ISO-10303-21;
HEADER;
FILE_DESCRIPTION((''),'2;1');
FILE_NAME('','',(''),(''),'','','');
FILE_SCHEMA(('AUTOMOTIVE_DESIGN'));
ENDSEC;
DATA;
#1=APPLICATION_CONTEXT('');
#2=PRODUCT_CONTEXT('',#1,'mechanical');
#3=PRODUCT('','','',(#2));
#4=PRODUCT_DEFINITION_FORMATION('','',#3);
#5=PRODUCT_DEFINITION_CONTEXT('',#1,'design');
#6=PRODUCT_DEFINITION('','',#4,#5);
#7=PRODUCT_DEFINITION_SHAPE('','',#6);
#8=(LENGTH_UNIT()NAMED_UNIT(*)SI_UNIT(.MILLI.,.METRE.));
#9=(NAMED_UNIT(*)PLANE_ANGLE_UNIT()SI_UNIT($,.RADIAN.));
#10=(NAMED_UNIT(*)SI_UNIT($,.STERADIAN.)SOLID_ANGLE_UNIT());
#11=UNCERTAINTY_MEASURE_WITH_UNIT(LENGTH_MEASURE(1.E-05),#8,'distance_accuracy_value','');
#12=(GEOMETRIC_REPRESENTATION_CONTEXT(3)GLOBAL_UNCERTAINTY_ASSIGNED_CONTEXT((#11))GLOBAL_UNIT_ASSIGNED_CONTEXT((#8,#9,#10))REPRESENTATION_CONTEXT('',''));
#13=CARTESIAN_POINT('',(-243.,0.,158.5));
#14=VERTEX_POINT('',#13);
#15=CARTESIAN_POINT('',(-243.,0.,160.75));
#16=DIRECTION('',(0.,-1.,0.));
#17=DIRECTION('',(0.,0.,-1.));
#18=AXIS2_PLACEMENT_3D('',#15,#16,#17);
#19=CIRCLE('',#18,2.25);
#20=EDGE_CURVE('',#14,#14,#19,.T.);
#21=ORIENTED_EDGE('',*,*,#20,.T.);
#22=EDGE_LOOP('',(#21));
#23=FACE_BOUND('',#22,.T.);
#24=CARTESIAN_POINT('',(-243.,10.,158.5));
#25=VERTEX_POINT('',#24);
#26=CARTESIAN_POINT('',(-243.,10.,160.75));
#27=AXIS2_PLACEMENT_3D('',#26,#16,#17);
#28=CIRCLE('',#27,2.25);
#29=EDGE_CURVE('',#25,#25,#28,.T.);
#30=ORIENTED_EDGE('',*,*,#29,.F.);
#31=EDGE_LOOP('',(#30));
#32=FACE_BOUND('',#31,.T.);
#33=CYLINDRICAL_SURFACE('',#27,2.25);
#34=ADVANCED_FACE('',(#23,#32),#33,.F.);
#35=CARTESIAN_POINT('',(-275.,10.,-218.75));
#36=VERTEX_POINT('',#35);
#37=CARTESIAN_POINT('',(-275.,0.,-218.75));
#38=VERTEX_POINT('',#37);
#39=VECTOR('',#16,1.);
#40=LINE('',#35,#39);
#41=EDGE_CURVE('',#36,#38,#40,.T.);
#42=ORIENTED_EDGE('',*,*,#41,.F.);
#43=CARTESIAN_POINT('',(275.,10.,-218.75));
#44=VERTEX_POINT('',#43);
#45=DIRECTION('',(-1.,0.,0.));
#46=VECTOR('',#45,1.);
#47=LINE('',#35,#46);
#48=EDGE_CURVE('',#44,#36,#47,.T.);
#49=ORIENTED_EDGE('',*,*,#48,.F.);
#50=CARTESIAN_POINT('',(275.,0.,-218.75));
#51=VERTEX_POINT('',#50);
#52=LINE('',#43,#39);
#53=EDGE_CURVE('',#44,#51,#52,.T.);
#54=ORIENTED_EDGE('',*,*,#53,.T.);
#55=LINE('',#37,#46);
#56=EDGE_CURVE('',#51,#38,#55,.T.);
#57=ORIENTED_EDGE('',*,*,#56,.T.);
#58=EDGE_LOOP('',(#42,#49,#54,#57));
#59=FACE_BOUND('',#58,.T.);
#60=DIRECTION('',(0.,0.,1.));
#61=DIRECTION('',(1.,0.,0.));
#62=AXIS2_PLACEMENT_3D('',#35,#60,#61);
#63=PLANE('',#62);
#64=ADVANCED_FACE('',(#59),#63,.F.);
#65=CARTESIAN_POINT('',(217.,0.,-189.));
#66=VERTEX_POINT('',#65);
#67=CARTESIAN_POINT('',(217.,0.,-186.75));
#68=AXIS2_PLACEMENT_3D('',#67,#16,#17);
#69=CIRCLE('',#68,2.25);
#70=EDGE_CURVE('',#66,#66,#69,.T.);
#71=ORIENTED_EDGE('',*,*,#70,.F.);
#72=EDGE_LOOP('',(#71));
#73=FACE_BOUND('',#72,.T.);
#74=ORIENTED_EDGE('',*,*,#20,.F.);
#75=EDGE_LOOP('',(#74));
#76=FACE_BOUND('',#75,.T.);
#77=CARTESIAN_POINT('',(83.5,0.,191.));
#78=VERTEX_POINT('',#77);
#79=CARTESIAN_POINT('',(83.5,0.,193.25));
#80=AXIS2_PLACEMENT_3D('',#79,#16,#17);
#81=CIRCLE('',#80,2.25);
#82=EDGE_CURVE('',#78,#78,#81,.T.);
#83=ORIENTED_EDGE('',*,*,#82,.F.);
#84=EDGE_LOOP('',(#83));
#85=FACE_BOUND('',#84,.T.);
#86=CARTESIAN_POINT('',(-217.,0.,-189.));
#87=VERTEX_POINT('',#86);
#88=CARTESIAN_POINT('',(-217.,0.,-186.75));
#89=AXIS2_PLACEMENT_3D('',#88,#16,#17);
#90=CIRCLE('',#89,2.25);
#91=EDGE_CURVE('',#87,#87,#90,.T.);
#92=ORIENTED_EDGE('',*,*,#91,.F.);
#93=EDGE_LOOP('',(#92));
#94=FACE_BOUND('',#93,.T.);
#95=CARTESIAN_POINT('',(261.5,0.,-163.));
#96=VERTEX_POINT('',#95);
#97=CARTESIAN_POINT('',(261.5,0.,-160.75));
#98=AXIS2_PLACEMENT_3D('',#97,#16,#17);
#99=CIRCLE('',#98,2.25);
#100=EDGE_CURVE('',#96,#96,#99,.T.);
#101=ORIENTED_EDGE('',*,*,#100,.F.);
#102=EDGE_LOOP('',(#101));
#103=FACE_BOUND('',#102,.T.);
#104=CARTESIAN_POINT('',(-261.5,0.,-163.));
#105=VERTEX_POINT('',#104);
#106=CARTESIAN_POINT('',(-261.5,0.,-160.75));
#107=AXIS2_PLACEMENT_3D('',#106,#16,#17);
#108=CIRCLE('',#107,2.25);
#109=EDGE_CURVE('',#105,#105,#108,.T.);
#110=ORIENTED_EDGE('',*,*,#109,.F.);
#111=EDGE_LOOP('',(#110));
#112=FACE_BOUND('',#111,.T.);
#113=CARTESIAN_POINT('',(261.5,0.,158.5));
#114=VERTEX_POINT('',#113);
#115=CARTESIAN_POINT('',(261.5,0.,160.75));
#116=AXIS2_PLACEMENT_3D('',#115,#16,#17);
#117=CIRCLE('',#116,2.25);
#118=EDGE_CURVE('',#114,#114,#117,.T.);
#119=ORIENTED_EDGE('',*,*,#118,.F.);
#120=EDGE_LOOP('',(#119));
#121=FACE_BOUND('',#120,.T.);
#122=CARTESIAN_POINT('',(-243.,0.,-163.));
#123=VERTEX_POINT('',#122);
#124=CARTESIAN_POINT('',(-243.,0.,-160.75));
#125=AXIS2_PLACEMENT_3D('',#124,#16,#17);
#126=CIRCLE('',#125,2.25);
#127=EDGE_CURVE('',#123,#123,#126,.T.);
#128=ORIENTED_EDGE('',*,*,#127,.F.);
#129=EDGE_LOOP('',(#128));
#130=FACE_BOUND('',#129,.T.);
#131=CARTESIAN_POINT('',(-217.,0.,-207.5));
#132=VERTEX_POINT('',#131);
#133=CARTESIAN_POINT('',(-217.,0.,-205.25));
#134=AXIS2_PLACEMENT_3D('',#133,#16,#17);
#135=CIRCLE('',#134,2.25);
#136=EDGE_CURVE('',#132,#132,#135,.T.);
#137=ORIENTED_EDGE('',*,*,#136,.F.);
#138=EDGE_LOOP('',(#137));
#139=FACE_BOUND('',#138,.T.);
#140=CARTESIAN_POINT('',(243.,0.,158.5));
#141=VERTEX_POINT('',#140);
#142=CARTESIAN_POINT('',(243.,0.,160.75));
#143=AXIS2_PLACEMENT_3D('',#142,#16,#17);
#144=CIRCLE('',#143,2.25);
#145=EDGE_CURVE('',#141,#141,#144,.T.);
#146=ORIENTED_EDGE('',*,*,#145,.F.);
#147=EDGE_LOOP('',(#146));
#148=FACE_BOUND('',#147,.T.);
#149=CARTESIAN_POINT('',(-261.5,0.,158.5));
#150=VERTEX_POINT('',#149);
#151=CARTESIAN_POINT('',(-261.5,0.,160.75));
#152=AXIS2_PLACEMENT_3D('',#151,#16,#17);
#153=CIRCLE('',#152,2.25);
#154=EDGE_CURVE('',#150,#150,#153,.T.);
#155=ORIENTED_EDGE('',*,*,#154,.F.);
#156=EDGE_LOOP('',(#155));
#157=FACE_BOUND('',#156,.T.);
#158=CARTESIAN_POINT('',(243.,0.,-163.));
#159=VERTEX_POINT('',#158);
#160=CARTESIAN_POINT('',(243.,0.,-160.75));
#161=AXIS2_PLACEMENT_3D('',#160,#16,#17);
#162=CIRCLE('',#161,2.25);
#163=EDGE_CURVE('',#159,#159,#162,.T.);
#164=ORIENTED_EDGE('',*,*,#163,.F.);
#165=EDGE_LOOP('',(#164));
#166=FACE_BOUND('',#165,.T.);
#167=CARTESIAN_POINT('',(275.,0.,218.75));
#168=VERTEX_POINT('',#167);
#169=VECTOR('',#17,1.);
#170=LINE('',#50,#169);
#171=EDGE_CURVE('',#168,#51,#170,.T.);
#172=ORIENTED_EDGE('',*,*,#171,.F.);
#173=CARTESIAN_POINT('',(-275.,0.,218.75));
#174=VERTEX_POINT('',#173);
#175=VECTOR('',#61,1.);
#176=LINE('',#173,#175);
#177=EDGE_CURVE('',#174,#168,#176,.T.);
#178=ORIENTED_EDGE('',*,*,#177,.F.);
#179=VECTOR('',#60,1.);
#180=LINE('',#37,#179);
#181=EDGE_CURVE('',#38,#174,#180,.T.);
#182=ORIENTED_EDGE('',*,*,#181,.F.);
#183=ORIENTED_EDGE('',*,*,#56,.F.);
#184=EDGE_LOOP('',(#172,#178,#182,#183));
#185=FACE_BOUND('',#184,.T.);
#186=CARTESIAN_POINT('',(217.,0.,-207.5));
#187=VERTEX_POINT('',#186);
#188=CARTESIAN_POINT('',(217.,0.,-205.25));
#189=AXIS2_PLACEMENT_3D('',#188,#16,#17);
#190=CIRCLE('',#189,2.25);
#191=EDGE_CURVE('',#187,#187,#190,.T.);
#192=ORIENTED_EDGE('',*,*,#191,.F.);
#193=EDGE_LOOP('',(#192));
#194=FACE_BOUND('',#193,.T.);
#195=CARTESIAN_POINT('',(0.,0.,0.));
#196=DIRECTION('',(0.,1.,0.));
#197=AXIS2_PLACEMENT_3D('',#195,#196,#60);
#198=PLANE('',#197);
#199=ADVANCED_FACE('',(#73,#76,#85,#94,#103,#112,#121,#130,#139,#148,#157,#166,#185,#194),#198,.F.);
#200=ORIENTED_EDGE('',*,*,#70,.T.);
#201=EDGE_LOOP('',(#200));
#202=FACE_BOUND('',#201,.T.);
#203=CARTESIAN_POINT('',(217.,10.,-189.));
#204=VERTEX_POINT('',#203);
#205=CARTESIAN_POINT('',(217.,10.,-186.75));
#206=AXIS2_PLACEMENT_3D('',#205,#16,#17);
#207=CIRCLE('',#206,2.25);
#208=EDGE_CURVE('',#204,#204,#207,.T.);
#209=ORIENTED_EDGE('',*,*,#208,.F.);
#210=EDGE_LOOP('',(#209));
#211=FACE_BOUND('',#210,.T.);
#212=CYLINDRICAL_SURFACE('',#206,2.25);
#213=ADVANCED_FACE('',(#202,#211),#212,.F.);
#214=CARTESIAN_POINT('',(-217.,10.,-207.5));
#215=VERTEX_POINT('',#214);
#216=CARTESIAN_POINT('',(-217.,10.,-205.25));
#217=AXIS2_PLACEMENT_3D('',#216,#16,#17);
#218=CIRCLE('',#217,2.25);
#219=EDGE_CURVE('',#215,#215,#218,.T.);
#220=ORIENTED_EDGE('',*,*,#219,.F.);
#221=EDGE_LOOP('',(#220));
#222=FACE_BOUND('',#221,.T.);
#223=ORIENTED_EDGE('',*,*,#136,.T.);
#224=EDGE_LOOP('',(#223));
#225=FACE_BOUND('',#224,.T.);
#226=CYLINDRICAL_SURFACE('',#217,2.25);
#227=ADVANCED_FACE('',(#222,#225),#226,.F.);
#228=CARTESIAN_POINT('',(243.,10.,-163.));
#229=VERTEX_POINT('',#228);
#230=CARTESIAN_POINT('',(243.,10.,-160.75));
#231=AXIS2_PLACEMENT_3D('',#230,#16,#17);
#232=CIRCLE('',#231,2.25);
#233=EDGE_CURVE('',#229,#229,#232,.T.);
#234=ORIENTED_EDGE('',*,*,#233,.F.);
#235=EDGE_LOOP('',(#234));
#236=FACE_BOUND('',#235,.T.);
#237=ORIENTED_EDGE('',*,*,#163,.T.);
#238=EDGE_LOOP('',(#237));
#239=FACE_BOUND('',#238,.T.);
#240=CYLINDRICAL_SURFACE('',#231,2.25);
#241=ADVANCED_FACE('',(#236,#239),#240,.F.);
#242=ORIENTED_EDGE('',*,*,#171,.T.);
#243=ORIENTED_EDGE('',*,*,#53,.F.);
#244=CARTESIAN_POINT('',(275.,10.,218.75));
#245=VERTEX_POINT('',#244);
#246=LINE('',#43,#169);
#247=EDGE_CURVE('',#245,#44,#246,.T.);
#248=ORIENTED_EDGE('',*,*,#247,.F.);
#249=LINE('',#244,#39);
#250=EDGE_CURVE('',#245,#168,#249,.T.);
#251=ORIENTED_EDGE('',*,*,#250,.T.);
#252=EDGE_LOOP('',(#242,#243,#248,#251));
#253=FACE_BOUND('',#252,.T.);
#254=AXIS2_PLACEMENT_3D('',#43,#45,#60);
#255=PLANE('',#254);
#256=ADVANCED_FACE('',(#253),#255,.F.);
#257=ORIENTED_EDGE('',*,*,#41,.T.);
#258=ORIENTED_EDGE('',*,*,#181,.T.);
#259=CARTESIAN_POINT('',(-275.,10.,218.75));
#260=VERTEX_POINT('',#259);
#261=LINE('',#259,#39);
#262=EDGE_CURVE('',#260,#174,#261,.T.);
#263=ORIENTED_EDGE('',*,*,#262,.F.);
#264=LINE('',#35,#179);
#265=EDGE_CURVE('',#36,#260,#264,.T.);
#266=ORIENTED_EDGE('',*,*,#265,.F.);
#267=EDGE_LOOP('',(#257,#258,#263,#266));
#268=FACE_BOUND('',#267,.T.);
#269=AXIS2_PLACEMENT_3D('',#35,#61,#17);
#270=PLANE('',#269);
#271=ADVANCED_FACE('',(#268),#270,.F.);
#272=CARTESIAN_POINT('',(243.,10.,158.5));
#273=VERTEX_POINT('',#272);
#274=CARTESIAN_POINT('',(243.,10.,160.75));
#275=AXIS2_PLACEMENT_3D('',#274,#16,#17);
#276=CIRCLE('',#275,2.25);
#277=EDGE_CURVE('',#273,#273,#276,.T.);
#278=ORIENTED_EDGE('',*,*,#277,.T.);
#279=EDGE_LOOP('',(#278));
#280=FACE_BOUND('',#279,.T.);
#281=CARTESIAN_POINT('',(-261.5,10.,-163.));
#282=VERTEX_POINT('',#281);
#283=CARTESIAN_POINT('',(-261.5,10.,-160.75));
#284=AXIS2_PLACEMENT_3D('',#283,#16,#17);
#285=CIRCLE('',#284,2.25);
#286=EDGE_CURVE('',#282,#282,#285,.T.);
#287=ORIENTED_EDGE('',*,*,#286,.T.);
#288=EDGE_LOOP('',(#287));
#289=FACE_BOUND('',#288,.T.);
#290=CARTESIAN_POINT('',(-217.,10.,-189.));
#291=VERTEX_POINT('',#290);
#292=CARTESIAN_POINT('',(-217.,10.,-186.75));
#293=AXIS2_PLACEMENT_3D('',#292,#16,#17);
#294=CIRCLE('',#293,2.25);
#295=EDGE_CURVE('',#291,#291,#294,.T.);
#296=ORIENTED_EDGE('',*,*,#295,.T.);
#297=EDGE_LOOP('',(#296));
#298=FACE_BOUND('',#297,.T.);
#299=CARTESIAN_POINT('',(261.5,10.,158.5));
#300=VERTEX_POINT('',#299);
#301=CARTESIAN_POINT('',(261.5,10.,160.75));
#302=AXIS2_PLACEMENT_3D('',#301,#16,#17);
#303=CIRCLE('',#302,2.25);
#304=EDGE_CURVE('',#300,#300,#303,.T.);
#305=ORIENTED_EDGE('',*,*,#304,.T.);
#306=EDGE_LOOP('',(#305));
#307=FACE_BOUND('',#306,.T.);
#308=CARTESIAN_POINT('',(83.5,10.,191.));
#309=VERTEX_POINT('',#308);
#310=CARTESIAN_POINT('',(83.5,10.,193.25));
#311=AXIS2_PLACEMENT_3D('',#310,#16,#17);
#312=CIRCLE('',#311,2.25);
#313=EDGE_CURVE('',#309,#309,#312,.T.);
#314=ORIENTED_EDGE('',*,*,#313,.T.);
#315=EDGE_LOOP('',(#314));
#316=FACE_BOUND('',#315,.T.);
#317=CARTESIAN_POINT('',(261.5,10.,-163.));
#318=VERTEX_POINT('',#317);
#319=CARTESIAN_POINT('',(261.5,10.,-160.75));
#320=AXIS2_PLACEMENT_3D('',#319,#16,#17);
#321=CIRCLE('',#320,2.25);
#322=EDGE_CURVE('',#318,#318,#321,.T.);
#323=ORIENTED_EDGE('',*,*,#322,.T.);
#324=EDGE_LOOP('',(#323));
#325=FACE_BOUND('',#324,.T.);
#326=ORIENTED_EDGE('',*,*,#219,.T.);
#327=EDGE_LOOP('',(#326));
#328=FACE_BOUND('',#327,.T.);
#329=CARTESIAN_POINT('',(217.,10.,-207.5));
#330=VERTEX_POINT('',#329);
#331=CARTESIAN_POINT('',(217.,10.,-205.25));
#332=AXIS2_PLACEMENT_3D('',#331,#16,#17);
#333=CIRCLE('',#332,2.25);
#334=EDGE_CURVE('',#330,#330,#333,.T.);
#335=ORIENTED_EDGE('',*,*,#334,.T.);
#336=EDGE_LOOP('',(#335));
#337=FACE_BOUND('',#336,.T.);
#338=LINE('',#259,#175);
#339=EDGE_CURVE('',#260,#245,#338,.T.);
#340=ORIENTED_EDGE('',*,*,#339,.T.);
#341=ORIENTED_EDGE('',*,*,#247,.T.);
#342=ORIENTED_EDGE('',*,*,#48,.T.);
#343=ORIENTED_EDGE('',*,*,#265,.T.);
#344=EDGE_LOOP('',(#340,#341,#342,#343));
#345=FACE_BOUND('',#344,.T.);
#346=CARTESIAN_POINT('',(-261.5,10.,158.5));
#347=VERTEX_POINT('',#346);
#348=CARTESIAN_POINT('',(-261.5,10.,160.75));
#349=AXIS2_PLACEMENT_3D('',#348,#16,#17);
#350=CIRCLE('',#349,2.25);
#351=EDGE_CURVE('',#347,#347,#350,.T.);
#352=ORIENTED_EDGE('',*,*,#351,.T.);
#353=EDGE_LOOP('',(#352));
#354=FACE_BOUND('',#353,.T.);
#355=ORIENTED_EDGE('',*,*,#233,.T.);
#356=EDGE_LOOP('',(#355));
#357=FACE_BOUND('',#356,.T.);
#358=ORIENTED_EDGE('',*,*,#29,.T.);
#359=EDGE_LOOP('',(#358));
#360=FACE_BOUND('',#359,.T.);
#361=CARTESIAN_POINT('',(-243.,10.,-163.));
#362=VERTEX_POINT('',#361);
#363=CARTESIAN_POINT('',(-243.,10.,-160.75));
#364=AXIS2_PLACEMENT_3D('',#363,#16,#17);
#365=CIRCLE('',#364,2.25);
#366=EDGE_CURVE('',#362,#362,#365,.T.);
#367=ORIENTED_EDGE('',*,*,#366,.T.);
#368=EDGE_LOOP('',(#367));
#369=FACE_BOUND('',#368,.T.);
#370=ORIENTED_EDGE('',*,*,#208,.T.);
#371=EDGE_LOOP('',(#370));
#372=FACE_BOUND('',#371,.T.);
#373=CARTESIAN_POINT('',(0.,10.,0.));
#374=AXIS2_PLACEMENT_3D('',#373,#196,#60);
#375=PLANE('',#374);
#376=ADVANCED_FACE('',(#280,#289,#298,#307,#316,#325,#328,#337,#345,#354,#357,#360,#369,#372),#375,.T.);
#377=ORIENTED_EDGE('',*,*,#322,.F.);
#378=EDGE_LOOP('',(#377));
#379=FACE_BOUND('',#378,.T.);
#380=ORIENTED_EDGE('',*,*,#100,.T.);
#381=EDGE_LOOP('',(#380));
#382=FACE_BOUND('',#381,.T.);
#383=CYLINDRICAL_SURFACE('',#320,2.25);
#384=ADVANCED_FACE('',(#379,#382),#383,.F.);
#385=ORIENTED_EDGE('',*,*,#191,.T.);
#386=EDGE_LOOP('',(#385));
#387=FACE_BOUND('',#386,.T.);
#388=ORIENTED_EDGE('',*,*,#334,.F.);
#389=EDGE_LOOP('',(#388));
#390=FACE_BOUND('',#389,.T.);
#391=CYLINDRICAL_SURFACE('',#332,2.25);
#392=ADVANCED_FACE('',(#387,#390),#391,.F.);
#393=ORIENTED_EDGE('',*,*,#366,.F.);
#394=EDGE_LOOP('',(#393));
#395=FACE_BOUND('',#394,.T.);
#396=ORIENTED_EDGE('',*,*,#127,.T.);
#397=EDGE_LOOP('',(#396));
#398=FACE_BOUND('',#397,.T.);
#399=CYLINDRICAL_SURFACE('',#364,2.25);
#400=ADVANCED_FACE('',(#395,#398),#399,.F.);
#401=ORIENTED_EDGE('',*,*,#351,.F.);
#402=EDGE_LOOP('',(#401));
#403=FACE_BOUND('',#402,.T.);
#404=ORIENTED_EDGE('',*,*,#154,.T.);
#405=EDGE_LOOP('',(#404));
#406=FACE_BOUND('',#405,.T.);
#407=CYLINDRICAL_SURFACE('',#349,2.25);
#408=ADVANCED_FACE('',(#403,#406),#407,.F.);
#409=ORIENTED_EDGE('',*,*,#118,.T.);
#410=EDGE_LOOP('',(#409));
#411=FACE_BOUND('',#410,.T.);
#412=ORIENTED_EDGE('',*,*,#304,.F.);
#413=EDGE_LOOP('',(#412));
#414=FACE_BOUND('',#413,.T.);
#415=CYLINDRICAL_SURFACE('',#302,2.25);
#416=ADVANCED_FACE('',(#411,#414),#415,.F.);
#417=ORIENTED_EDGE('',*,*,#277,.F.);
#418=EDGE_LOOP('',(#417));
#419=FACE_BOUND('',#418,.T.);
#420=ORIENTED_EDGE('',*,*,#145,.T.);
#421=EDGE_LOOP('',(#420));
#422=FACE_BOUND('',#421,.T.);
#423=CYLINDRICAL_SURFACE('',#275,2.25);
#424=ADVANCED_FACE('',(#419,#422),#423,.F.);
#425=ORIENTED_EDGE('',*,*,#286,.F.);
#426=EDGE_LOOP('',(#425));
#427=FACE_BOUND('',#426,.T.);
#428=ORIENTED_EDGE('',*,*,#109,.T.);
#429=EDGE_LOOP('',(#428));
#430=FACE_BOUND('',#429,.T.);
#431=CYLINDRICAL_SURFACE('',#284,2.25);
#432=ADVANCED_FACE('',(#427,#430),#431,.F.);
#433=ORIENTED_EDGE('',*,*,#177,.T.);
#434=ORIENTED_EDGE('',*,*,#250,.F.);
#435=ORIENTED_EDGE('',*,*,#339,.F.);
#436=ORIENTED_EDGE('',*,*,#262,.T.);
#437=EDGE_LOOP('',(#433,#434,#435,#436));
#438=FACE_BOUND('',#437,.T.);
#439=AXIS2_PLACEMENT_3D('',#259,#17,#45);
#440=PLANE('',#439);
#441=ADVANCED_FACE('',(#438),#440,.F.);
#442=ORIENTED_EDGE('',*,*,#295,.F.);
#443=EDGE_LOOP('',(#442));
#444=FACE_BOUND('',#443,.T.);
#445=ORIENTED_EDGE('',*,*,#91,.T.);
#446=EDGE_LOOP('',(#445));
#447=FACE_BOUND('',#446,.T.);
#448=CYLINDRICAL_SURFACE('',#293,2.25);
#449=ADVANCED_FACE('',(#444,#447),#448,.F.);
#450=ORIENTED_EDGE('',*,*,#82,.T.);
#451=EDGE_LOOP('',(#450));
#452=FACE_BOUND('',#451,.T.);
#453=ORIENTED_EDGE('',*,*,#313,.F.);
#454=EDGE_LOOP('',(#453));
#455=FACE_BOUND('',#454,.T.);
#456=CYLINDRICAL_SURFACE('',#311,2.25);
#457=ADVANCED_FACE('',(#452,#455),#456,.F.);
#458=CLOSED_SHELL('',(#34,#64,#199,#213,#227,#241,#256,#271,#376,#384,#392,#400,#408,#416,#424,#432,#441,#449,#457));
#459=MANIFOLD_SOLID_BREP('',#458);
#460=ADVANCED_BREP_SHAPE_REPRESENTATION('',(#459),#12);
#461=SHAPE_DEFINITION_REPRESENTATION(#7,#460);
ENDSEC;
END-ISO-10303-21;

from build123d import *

# Parameters (mm, degrees)
SCHIZZO1_W                   = 550
SCHIZZO1_H                   = 437.5
ESTRUSIONE_ESTRUSIONE1_DEPTH = 10
SCHIZZO2_R                   = 2.25
TAGLIO_ESTRUSIONE1_DEPTH     = 10


with BuildPart() as part:
    # Schizzo1 → Estrusione-Estrusione1 (new body)
    with BuildSketch(Plane(origin=(0, 0, 0), x_dir=(1, 0, 0), z_dir=(0, 1, 0))):
        Rectangle(SCHIZZO1_W, SCHIZZO1_H)
    extrude(amount=ESTRUSIONE_ESTRUSIONE1_DEPTH)

    # Schizzo2 → Taglio-Estrusione1 (cut)
    with BuildSketch(Plane(origin=(0, 0, 0), x_dir=(-1, 0, 0), z_dir=(0, -1, 0))):
        with Locations(Location((-217, 205.25, 0), (0, 0, 90))):
            Circle(SCHIZZO2_R)
        with Locations(Location((-217, 186.75, 0), (0, 0, 90))):
            Circle(SCHIZZO2_R)
        with Locations(Location((-243, 160.75, 0), (0, 0, 90))):
            Circle(SCHIZZO2_R)
        with Locations(Location((-261.5, 160.75, 0), (0, 0, 90))):
            Circle(SCHIZZO2_R)
        with Locations(Location((217, 205.25, 0), (0, 0, 90))):
            Circle(SCHIZZO2_R)
        with Locations(Location((217, 186.75, 0), (0, 0, 90))):
            Circle(SCHIZZO2_R)
        with Locations(Location((243, 160.75, 0), (0, 0, 90))):
            Circle(SCHIZZO2_R)
        with Locations(Location((261.5, 160.75, 0), (0, 0, 90))):
            Circle(SCHIZZO2_R)
        with Locations(Location((261.5, -160.75, 0), (0, 0, 90))):
            Circle(SCHIZZO2_R)
        with Locations(Location((243, -160.75, 0), (0, 0, 90))):
            Circle(SCHIZZO2_R)
        with Locations(Location((-261.5, -160.75, 0), (0, 0, 90))):
            Circle(SCHIZZO2_R)
        with Locations(Location((-243, -160.75, 0), (0, 0, 90))):
            Circle(SCHIZZO2_R)
        with Locations(Location((-83.5, -193.25, 0), (0, 0, 90))):
            Circle(SCHIZZO2_R)
    extrude(amount=-TAGLIO_ESTRUSIONE1_DEPTH, mode=Mode.SUBTRACT)


solid = part.part
